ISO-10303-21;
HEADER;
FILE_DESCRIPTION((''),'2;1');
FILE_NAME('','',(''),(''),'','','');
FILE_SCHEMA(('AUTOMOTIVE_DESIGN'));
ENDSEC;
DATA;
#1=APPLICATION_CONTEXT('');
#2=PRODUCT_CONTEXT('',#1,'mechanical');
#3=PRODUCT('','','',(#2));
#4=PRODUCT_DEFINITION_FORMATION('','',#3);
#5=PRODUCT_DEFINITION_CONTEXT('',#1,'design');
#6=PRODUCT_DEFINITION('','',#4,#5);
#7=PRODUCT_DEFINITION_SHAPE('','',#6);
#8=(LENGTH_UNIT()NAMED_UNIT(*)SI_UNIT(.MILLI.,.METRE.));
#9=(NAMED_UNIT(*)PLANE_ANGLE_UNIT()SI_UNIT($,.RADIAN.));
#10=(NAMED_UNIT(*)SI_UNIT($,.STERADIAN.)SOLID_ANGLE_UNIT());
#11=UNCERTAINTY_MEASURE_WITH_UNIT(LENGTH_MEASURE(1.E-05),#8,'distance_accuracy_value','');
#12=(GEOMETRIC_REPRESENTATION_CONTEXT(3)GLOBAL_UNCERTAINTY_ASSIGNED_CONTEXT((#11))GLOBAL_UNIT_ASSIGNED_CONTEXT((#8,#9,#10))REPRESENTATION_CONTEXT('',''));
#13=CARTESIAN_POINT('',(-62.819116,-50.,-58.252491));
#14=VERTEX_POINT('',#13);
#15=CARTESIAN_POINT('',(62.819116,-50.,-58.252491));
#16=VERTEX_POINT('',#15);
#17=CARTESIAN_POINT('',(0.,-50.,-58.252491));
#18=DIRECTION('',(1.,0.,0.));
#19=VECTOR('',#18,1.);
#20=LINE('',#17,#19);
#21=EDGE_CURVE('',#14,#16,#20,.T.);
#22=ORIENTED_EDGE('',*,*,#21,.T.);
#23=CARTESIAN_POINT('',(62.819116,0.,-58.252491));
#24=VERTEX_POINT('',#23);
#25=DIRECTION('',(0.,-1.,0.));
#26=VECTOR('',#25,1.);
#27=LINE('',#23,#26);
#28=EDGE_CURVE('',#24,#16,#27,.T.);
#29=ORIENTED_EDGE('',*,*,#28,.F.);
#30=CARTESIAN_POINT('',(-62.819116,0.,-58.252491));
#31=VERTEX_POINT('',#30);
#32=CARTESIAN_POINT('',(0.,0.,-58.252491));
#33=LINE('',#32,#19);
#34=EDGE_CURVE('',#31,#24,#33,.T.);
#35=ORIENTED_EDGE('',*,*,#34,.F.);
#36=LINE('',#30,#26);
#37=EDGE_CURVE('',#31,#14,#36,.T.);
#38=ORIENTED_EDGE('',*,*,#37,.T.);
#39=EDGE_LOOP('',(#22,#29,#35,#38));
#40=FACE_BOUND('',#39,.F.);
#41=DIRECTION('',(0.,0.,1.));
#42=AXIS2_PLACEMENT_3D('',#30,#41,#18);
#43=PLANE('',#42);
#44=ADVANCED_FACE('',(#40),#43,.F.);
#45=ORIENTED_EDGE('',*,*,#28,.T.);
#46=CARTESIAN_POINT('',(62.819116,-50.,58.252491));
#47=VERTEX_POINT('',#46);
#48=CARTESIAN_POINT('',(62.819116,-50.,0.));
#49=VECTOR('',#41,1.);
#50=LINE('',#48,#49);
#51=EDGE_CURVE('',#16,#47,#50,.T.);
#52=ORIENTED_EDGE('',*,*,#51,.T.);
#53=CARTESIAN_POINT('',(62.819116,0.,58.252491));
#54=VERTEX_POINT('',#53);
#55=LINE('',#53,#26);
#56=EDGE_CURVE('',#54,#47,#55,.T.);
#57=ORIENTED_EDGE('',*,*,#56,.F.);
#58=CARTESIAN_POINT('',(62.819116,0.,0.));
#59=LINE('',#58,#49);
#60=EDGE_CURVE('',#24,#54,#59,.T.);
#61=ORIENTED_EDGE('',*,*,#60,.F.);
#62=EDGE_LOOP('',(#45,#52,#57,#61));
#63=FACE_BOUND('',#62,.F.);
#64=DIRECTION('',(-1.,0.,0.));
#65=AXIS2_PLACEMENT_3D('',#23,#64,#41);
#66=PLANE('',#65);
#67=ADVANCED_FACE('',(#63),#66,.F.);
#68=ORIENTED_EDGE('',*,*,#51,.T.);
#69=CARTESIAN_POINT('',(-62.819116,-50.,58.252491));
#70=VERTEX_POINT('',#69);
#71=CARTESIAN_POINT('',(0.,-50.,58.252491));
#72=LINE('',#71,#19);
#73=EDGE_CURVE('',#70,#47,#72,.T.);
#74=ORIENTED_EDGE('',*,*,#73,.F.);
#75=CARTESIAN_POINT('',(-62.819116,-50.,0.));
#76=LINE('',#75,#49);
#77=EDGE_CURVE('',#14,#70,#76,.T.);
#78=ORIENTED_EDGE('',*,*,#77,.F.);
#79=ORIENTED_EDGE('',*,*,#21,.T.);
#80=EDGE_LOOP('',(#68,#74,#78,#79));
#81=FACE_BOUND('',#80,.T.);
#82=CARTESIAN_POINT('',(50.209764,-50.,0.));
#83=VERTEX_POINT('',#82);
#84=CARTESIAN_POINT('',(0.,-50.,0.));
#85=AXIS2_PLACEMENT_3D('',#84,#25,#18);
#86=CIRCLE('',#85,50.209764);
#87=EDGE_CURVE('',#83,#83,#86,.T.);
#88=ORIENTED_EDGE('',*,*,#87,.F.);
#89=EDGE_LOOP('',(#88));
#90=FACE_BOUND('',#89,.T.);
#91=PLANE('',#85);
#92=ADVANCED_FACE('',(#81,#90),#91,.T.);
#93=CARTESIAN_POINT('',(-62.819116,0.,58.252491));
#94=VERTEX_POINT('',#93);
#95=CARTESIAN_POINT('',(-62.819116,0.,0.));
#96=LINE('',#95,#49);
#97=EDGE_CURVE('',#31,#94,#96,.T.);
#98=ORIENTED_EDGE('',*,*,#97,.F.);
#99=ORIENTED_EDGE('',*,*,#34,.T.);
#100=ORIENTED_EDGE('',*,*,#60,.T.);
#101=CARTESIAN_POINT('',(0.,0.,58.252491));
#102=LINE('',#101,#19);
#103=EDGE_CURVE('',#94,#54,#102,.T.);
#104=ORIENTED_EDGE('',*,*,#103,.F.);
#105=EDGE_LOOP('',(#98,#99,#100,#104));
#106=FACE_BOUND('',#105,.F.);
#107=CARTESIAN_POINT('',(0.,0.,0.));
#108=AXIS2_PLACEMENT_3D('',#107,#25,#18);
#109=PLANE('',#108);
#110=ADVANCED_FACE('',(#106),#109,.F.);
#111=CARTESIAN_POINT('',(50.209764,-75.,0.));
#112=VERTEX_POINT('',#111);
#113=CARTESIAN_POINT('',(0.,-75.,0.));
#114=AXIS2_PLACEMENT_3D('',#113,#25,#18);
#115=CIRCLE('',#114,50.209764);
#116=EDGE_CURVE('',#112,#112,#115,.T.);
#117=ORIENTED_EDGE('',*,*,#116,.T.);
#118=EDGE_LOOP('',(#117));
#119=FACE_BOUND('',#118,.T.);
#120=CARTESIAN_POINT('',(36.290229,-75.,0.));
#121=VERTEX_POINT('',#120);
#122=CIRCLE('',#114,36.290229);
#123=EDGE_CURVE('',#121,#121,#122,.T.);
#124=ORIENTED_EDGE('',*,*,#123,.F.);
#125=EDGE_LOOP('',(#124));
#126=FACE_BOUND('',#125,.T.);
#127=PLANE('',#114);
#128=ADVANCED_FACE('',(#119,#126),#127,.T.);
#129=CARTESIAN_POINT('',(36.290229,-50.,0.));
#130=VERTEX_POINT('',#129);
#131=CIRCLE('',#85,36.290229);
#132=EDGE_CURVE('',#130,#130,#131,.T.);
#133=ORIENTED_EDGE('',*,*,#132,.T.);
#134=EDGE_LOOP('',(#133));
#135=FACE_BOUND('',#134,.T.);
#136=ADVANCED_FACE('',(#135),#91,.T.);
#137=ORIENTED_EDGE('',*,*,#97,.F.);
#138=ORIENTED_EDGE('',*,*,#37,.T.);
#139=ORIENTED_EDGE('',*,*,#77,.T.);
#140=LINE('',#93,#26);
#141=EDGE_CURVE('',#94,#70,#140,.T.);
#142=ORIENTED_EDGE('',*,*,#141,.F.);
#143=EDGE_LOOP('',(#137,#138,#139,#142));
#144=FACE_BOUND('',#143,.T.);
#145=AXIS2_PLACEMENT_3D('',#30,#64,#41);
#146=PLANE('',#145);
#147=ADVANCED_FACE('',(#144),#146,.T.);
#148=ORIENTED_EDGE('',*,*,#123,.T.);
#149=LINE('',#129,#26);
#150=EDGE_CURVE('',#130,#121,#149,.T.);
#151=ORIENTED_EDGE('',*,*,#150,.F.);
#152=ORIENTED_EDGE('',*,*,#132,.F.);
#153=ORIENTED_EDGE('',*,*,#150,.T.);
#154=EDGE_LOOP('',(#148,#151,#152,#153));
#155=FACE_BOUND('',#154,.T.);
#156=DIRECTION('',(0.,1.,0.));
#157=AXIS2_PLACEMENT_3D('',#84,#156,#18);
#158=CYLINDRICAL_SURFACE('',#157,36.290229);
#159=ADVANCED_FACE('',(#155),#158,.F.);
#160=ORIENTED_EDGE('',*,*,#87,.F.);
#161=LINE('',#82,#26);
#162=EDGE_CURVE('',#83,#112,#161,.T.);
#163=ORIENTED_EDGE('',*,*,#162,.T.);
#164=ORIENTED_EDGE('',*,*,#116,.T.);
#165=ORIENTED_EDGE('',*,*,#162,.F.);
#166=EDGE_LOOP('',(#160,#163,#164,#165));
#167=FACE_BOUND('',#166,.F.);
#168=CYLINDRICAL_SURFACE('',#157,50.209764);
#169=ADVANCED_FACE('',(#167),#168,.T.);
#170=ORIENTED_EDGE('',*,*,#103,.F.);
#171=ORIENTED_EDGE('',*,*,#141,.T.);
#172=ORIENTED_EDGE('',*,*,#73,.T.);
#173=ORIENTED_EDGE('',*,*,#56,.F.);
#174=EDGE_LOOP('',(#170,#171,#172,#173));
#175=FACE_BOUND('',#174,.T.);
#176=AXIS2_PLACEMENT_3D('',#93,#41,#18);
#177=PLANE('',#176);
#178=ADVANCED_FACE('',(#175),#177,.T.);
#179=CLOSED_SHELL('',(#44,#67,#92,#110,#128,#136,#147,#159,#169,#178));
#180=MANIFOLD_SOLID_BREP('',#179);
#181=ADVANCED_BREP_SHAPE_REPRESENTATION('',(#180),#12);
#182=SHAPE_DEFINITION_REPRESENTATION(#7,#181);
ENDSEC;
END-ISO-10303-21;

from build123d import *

# Parameters (mm, degrees)
F0_W     = 125.638232
F0_H     = 116.504982
F1_DEPTH = 50
F2_R     = 50.209764
F2_R_2   = 36.290229
F3_DEPTH = 25


with BuildPart() as f1:
    # F0 (on Front) → F1 (new body)
    with BuildSketch(Plane.XZ):
        Rectangle(F0_W, F0_H)
    extrude(amount=F1_DEPTH)

    # F2 (on face) → F3 (join)
    with BuildSketch(Plane.XZ.offset(50)):
        Circle(F2_R)
        Circle(F2_R_2, mode=Mode.SUBTRACT)
    extrude(amount=F3_DEPTH)


solid = f1.part
